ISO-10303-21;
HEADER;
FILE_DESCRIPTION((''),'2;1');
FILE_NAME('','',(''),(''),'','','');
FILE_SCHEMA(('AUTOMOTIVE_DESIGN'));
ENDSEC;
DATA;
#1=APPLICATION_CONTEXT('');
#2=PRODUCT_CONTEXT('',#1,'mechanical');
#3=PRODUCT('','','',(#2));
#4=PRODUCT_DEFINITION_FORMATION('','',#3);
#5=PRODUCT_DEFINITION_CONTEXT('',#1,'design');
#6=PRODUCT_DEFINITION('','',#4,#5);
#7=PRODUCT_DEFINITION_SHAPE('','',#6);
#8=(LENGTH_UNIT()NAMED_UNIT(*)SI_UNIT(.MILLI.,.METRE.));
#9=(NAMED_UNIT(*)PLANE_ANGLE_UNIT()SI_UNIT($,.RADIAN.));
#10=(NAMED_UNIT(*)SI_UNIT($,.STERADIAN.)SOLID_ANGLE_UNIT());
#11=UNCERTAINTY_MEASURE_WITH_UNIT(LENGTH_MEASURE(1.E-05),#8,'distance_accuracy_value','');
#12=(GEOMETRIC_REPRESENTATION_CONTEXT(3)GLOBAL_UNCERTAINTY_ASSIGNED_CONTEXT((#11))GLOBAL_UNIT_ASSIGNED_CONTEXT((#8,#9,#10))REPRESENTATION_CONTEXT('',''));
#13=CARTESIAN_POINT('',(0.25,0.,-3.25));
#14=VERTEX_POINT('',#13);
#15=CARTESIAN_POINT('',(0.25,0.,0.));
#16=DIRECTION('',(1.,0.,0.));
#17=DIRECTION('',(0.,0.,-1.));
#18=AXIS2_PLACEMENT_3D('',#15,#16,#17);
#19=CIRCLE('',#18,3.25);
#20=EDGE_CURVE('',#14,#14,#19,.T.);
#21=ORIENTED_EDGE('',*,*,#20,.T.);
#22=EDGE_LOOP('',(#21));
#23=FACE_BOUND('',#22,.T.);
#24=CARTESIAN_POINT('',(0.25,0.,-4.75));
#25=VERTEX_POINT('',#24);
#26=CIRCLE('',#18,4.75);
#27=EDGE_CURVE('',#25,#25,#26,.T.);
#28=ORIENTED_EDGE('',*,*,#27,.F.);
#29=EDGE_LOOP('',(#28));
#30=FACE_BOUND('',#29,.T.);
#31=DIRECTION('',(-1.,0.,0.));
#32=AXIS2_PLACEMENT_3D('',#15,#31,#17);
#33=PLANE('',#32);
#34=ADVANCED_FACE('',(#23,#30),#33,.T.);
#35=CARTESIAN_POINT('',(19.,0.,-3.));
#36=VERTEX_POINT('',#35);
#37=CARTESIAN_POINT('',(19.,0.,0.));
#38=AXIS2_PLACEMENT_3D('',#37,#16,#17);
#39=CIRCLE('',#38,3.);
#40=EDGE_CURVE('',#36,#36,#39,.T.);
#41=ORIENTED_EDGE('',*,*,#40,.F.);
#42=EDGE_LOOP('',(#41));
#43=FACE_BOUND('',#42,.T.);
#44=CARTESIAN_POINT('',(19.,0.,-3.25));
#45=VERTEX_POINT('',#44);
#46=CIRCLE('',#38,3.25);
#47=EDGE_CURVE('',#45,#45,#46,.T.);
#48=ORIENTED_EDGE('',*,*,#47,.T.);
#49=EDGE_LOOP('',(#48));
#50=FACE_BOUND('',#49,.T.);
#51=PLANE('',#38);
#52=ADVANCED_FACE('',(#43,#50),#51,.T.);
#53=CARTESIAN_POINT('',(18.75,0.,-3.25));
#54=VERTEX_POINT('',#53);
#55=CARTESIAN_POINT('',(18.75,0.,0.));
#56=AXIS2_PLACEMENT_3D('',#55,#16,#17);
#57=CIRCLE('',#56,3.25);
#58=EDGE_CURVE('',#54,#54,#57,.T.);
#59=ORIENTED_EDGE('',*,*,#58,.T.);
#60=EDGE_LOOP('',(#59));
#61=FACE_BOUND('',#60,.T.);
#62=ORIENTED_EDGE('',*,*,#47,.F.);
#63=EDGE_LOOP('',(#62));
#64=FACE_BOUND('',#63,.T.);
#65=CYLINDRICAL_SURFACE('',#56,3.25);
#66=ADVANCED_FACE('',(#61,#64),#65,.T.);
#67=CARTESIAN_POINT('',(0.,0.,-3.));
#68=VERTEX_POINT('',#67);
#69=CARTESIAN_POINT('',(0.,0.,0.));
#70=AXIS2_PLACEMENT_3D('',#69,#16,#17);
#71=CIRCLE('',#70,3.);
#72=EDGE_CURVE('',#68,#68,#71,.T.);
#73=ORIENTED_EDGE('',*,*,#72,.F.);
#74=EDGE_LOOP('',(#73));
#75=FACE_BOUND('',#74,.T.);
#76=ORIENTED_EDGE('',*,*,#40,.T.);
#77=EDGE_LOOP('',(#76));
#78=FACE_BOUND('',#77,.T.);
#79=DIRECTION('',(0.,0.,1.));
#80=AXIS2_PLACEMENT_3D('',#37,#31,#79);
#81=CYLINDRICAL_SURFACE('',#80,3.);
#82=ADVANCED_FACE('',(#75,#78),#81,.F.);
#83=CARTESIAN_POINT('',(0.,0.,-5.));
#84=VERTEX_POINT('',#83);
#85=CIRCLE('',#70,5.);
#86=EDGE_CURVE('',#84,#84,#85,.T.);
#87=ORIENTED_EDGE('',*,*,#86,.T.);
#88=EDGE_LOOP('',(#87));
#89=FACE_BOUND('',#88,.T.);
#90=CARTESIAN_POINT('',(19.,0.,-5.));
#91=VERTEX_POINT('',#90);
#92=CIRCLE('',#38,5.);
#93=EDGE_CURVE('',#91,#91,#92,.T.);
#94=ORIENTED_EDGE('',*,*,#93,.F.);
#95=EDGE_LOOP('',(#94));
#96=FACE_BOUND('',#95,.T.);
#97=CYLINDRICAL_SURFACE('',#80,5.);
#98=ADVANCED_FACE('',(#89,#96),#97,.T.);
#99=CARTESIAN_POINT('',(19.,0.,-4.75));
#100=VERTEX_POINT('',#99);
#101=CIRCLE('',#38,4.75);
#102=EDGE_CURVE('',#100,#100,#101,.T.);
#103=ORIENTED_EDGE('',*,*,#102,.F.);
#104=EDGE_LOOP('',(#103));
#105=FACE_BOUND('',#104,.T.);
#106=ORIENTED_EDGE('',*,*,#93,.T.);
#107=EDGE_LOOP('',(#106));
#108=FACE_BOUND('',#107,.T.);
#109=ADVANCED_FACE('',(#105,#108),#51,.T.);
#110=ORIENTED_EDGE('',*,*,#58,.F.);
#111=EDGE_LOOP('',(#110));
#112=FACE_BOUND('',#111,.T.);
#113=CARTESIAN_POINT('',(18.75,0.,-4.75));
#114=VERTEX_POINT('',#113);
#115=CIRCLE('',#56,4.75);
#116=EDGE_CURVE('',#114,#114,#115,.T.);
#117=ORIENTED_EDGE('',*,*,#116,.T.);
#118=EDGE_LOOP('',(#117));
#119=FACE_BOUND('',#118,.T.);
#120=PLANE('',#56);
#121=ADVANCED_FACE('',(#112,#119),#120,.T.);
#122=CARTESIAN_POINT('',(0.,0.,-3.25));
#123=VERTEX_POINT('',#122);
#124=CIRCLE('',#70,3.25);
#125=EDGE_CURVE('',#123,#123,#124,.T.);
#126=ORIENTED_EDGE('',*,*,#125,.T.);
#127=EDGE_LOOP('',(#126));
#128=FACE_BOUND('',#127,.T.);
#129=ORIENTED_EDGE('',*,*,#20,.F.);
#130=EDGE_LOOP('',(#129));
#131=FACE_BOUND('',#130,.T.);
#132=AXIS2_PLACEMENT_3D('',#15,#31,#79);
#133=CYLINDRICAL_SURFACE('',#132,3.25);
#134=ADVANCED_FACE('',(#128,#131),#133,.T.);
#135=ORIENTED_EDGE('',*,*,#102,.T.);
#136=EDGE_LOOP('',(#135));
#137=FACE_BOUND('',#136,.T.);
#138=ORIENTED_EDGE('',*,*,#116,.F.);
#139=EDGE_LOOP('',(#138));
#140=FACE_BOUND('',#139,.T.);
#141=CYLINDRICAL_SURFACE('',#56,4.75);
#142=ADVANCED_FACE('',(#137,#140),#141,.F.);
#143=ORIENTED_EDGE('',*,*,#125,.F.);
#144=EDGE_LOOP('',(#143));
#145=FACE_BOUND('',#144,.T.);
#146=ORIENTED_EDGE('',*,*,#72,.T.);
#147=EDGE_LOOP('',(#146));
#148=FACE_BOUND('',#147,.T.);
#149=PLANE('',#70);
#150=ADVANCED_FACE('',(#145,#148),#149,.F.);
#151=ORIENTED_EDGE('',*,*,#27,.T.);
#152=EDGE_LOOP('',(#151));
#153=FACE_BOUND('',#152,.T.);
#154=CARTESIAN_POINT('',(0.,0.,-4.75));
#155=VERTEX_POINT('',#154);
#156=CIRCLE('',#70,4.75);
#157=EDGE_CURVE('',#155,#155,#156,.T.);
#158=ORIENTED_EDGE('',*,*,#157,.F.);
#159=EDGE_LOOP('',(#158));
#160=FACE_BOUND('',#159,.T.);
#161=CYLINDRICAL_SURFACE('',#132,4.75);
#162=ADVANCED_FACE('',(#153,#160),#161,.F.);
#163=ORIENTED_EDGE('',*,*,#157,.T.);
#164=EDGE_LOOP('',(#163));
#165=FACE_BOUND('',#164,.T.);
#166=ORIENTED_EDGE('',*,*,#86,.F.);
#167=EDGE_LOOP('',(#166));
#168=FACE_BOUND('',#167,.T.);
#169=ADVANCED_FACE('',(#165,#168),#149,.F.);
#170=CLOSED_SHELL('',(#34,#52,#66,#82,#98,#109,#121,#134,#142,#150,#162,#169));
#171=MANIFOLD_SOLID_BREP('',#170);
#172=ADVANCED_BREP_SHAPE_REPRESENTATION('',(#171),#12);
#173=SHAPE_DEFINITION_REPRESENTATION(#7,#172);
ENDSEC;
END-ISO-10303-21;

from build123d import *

# Parameters (mm, degrees)
SKETCH1_R          = 5
SKETCH1_R_2        = 3
EXTRUDE1_DEPTH     = 19
SKETCH2_R          = 4.75
SKETCH2_R_2        = 3.25
CUT_EXTRUDE1_DEPTH = 0.25


with BuildPart() as part:
    # Sketch1 → Extrude1 (new body)
    with BuildSketch(Plane(origin=(0, 0, 0), x_dir=(0, 0, -1), z_dir=(1, 0, 0))):
        Circle(SKETCH1_R)
        Circle(SKETCH1_R_2, mode=Mode.SUBTRACT)
    extrude(amount=EXTRUDE1_DEPTH)

    # Sketch2 → Cut-Extrude1 (cut)
    with BuildSketch(Plane(origin=(19, 0, 0), x_dir=(0, 0, -1), z_dir=(1, 0, 0))):
        Circle(SKETCH2_R)
        Circle(SKETCH2_R_2, mode=Mode.SUBTRACT)
    cut_extrude1 = extrude(amount=-CUT_EXTRUDE1_DEPTH, mode=Mode.SUBTRACT)

    # Mirror1: Cut-Extrude1 across plane
    add(cut_extrude1.mirror(Plane.ZY.offset(-9.5)), mode=Mode.SUBTRACT)


solid = part.part
